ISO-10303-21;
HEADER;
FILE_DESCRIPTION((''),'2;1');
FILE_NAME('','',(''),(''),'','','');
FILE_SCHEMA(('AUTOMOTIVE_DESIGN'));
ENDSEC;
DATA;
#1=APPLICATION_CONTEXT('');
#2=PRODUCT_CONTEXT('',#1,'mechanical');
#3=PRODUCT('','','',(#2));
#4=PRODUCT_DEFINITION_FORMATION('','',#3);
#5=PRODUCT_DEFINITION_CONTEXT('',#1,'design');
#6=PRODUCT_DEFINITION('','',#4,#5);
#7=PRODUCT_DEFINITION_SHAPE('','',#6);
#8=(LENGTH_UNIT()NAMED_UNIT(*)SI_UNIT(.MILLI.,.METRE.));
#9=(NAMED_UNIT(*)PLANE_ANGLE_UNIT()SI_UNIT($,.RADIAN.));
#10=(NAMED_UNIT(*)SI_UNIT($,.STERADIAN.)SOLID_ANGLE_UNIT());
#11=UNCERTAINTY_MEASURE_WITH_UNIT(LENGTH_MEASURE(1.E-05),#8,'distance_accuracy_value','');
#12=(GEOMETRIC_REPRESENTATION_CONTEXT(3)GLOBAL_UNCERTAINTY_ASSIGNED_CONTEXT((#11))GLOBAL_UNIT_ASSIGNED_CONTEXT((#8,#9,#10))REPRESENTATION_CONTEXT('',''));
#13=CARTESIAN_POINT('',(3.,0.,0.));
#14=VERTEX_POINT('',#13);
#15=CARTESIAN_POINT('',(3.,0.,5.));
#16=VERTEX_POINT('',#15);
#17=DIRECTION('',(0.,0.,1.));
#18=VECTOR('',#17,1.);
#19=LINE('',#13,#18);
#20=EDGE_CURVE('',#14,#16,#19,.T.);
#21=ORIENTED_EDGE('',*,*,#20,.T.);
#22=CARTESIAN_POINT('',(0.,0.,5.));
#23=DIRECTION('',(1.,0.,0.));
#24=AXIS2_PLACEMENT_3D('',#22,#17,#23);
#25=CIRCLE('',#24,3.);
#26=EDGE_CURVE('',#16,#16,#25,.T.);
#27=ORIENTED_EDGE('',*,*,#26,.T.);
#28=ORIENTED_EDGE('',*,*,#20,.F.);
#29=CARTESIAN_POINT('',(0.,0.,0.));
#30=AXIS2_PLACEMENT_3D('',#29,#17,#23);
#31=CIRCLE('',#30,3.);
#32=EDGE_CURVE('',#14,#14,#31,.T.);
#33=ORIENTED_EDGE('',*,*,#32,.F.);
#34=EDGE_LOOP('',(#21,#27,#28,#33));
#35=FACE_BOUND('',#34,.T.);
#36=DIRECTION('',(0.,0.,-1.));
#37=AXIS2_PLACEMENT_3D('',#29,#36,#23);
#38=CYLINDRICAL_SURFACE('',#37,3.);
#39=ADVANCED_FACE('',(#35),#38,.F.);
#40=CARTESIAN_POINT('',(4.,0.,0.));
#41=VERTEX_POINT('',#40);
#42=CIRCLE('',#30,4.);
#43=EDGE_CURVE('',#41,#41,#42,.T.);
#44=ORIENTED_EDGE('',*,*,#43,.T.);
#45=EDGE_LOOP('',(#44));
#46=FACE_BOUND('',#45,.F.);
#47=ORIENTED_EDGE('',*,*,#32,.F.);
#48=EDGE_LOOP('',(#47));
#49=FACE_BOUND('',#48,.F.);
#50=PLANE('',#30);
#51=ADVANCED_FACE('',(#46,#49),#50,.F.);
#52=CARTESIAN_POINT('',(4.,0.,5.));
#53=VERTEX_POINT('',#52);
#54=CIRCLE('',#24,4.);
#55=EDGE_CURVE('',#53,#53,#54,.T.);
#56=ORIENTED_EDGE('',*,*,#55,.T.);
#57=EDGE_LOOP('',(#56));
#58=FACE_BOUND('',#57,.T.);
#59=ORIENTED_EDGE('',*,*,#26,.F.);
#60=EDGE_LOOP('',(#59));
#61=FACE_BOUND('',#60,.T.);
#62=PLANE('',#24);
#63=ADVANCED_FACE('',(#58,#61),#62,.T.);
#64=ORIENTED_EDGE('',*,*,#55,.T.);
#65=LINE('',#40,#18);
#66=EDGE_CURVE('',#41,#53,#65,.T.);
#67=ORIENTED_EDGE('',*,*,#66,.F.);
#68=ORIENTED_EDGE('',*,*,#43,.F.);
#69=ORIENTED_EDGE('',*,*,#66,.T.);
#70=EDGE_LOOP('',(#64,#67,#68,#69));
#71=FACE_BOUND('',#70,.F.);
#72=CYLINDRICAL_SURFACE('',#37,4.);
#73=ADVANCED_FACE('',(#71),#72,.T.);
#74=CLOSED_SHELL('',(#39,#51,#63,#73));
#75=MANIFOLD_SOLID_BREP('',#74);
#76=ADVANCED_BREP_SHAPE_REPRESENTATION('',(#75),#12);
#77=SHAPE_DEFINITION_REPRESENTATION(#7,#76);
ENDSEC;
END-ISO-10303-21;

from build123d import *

# Parameters (mm, degrees)
SKETCH_1_R      = 4
SKETCH_1_R_2    = 3
EXTRUDE_1_DEPTH = 5


with BuildPart() as part:
    # 草图1 → 凸台-拉伸1 (new body)
    with BuildSketch(Plane.XY):
        Circle(SKETCH_1_R)
        Circle(SKETCH_1_R_2, mode=Mode.SUBTRACT)
    extrude(amount=EXTRUDE_1_DEPTH)


solid = part.part
